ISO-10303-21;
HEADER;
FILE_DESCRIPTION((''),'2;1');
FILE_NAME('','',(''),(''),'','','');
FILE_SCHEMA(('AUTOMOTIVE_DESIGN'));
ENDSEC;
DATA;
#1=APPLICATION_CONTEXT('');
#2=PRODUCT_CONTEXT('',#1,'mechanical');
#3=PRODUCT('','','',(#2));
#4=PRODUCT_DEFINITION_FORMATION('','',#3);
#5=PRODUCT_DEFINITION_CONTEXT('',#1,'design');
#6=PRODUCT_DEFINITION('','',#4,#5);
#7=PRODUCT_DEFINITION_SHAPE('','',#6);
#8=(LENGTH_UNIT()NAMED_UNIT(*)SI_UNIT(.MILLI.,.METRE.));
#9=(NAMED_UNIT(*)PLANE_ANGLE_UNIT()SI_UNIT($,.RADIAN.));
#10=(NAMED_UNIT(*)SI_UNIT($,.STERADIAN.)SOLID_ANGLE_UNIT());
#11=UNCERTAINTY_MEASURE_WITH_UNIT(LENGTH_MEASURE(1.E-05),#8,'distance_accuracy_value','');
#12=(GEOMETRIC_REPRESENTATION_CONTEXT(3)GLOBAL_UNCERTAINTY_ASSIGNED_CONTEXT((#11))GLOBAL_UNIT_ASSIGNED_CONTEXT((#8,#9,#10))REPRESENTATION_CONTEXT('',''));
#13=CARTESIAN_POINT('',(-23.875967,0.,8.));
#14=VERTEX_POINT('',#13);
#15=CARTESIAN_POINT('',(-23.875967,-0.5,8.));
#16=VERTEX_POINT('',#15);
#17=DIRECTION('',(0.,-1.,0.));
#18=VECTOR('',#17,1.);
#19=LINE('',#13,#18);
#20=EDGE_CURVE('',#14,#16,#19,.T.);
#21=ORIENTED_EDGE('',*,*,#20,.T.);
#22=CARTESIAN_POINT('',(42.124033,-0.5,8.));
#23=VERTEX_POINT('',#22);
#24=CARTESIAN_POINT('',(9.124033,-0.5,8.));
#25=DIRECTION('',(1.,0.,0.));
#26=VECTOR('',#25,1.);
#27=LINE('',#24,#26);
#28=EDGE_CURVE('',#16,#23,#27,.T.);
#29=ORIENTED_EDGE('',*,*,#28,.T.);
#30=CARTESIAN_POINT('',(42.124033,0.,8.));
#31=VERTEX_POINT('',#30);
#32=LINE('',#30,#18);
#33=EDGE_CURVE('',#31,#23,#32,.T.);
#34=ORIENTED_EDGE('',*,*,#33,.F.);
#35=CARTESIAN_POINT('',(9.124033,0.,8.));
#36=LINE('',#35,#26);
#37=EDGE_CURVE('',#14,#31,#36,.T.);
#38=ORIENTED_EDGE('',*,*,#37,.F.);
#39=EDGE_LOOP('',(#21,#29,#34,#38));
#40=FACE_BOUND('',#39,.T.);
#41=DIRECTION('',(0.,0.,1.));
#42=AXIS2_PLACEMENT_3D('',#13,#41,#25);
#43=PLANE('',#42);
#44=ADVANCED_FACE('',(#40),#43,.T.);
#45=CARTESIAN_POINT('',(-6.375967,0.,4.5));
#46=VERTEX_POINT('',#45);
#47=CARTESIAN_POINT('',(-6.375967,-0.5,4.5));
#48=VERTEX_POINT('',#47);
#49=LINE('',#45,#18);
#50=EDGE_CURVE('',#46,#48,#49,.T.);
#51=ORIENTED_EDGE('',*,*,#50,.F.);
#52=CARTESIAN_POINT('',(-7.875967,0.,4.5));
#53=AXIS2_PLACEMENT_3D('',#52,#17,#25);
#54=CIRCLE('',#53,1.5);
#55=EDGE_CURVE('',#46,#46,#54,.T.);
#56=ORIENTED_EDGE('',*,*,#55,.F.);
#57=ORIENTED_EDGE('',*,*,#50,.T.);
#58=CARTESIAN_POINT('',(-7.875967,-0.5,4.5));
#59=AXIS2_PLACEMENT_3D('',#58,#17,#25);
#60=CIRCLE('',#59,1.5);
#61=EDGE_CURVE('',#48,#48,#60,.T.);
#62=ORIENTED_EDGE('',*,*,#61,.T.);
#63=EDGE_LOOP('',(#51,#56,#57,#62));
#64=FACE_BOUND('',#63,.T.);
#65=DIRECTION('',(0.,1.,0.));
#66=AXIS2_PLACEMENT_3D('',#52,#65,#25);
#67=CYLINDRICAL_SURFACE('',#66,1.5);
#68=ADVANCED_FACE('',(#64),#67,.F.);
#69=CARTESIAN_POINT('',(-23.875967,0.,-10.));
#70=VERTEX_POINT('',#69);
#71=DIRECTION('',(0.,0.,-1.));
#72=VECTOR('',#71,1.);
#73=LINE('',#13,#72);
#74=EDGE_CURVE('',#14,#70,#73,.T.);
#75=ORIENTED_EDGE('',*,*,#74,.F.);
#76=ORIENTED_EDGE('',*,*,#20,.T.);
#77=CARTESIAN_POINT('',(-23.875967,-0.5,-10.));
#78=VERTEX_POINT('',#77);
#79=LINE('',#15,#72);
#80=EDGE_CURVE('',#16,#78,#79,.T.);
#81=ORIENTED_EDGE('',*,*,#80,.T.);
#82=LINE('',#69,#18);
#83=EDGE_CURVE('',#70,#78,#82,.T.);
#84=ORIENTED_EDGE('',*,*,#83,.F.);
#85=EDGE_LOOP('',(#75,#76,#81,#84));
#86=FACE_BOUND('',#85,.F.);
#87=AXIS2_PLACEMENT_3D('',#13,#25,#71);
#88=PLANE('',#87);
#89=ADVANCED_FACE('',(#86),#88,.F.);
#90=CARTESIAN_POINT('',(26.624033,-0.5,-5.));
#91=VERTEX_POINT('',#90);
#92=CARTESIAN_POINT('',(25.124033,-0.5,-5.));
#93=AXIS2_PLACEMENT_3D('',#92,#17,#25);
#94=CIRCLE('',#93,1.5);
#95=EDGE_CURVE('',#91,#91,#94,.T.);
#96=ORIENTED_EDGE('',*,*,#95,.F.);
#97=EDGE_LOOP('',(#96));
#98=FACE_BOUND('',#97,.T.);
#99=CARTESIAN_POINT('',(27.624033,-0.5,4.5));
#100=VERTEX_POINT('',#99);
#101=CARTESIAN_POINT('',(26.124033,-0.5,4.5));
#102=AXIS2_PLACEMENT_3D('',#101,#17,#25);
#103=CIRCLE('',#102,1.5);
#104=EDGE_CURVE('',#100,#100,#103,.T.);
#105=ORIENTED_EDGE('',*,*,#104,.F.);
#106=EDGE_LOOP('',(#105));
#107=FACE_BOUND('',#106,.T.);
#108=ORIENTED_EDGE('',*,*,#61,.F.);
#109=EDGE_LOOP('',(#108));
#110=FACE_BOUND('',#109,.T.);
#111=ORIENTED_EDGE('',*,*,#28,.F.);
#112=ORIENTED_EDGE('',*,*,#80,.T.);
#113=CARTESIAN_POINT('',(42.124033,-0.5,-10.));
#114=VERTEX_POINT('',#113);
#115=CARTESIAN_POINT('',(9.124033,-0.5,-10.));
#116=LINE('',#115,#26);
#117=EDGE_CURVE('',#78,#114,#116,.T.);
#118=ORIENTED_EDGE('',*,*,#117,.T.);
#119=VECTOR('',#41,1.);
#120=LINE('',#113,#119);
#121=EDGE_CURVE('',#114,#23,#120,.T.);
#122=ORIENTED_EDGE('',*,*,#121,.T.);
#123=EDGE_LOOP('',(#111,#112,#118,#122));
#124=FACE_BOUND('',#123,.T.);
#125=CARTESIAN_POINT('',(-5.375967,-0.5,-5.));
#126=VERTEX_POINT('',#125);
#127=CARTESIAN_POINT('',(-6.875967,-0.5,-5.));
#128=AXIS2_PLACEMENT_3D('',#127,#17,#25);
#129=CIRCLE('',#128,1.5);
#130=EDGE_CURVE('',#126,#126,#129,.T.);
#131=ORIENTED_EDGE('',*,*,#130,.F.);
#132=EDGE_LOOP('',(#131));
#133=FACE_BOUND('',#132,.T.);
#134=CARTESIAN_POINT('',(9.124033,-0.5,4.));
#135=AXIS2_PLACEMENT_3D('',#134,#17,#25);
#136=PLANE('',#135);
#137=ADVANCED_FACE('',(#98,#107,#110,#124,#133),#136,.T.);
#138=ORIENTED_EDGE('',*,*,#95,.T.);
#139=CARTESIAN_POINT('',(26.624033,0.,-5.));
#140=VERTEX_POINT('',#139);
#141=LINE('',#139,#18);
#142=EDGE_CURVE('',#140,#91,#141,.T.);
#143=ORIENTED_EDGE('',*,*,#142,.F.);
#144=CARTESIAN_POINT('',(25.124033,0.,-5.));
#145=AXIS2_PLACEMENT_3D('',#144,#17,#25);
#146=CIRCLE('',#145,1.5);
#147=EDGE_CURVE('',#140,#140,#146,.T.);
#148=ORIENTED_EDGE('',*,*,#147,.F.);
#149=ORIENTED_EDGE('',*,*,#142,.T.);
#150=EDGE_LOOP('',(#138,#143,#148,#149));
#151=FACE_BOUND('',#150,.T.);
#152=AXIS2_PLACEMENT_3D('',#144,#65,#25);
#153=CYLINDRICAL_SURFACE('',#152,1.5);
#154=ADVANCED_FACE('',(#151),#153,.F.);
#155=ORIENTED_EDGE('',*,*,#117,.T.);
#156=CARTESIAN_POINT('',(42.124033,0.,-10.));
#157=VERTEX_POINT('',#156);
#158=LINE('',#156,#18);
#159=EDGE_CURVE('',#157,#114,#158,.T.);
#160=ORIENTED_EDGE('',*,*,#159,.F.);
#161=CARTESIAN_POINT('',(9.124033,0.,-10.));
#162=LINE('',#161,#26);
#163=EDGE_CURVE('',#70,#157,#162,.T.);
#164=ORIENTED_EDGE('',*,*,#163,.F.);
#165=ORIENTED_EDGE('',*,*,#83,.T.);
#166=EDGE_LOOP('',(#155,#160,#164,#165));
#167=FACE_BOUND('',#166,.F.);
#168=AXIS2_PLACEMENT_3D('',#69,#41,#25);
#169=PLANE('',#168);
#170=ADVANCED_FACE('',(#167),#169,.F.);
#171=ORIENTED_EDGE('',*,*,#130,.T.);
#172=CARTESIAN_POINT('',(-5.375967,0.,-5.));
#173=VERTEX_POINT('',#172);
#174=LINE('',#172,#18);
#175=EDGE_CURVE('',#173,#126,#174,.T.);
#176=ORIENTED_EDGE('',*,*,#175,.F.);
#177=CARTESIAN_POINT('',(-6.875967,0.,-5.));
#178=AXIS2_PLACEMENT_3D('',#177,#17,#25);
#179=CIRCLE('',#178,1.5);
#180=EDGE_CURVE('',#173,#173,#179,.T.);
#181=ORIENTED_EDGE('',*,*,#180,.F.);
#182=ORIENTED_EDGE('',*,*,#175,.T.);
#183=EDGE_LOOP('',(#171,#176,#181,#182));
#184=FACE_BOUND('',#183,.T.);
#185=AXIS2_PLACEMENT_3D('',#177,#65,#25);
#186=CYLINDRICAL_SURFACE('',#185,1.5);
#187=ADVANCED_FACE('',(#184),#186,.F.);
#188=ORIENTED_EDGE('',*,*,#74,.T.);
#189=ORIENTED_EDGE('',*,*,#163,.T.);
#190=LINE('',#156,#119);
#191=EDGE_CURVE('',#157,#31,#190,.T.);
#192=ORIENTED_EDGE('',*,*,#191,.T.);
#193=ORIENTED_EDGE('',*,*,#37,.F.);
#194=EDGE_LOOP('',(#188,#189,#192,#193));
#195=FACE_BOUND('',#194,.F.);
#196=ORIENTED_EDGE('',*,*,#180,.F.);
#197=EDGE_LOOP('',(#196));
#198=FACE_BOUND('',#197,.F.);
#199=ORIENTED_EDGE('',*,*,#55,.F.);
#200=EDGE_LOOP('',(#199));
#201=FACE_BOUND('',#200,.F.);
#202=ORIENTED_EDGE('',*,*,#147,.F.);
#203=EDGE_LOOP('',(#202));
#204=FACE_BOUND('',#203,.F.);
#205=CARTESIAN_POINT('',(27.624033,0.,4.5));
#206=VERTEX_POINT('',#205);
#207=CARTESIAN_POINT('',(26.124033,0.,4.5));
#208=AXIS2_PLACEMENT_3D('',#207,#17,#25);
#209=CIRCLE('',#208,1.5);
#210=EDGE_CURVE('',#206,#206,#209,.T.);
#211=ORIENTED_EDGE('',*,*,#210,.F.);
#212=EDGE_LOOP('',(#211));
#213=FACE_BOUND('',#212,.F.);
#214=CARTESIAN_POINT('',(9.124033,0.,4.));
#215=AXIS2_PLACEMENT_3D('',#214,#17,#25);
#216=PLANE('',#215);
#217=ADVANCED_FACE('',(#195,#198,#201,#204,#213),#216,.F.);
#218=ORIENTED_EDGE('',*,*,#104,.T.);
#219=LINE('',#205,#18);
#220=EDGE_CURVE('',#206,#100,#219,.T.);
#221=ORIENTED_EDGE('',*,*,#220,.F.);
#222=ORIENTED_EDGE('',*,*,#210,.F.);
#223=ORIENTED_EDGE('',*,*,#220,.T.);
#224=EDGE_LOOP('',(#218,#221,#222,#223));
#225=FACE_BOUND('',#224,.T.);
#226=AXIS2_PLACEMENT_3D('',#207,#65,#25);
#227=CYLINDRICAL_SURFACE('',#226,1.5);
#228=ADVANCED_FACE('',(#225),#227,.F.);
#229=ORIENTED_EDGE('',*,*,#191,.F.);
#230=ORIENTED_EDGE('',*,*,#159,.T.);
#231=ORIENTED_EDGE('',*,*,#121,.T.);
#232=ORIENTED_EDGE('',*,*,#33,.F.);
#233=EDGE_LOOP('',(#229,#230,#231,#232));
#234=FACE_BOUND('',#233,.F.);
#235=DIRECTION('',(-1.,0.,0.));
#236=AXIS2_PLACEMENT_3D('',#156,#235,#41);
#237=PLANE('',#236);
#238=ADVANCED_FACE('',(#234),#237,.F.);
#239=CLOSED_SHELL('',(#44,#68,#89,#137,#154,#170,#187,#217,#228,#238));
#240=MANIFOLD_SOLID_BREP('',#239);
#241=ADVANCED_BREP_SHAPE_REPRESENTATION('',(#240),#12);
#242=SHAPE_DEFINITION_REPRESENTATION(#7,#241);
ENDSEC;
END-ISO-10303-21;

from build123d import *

# Parameters (mm, degrees)
F0_W     = 66
F0_H     = 8
F0_R     = 1.5
F0_H_2   = 10
F1_DEPTH = 0.5


with BuildPart() as f1:
    # F0 (on Front) → F1 (new body)
    with BuildSketch(Plane.XZ):
        with Locations((9.124033, 4)):
            Rectangle(F0_W, F0_H)
        with Locations((-7.875967, 4.5)):
            Circle(F0_R, mode=Mode.SUBTRACT)
        with Locations((26.124033, 4.5)):
            Circle(F0_R, mode=Mode.SUBTRACT)
        with Locations((9.124033, -5)):
            Rectangle(F0_W, F0_H_2)
        with Locations((-6.875967, -5)):
            Circle(F0_R, mode=Mode.SUBTRACT)
        with Locations((25.124033, -5)):
            Circle(F0_R, mode=Mode.SUBTRACT)
    extrude(amount=F1_DEPTH)


solid = f1.part
